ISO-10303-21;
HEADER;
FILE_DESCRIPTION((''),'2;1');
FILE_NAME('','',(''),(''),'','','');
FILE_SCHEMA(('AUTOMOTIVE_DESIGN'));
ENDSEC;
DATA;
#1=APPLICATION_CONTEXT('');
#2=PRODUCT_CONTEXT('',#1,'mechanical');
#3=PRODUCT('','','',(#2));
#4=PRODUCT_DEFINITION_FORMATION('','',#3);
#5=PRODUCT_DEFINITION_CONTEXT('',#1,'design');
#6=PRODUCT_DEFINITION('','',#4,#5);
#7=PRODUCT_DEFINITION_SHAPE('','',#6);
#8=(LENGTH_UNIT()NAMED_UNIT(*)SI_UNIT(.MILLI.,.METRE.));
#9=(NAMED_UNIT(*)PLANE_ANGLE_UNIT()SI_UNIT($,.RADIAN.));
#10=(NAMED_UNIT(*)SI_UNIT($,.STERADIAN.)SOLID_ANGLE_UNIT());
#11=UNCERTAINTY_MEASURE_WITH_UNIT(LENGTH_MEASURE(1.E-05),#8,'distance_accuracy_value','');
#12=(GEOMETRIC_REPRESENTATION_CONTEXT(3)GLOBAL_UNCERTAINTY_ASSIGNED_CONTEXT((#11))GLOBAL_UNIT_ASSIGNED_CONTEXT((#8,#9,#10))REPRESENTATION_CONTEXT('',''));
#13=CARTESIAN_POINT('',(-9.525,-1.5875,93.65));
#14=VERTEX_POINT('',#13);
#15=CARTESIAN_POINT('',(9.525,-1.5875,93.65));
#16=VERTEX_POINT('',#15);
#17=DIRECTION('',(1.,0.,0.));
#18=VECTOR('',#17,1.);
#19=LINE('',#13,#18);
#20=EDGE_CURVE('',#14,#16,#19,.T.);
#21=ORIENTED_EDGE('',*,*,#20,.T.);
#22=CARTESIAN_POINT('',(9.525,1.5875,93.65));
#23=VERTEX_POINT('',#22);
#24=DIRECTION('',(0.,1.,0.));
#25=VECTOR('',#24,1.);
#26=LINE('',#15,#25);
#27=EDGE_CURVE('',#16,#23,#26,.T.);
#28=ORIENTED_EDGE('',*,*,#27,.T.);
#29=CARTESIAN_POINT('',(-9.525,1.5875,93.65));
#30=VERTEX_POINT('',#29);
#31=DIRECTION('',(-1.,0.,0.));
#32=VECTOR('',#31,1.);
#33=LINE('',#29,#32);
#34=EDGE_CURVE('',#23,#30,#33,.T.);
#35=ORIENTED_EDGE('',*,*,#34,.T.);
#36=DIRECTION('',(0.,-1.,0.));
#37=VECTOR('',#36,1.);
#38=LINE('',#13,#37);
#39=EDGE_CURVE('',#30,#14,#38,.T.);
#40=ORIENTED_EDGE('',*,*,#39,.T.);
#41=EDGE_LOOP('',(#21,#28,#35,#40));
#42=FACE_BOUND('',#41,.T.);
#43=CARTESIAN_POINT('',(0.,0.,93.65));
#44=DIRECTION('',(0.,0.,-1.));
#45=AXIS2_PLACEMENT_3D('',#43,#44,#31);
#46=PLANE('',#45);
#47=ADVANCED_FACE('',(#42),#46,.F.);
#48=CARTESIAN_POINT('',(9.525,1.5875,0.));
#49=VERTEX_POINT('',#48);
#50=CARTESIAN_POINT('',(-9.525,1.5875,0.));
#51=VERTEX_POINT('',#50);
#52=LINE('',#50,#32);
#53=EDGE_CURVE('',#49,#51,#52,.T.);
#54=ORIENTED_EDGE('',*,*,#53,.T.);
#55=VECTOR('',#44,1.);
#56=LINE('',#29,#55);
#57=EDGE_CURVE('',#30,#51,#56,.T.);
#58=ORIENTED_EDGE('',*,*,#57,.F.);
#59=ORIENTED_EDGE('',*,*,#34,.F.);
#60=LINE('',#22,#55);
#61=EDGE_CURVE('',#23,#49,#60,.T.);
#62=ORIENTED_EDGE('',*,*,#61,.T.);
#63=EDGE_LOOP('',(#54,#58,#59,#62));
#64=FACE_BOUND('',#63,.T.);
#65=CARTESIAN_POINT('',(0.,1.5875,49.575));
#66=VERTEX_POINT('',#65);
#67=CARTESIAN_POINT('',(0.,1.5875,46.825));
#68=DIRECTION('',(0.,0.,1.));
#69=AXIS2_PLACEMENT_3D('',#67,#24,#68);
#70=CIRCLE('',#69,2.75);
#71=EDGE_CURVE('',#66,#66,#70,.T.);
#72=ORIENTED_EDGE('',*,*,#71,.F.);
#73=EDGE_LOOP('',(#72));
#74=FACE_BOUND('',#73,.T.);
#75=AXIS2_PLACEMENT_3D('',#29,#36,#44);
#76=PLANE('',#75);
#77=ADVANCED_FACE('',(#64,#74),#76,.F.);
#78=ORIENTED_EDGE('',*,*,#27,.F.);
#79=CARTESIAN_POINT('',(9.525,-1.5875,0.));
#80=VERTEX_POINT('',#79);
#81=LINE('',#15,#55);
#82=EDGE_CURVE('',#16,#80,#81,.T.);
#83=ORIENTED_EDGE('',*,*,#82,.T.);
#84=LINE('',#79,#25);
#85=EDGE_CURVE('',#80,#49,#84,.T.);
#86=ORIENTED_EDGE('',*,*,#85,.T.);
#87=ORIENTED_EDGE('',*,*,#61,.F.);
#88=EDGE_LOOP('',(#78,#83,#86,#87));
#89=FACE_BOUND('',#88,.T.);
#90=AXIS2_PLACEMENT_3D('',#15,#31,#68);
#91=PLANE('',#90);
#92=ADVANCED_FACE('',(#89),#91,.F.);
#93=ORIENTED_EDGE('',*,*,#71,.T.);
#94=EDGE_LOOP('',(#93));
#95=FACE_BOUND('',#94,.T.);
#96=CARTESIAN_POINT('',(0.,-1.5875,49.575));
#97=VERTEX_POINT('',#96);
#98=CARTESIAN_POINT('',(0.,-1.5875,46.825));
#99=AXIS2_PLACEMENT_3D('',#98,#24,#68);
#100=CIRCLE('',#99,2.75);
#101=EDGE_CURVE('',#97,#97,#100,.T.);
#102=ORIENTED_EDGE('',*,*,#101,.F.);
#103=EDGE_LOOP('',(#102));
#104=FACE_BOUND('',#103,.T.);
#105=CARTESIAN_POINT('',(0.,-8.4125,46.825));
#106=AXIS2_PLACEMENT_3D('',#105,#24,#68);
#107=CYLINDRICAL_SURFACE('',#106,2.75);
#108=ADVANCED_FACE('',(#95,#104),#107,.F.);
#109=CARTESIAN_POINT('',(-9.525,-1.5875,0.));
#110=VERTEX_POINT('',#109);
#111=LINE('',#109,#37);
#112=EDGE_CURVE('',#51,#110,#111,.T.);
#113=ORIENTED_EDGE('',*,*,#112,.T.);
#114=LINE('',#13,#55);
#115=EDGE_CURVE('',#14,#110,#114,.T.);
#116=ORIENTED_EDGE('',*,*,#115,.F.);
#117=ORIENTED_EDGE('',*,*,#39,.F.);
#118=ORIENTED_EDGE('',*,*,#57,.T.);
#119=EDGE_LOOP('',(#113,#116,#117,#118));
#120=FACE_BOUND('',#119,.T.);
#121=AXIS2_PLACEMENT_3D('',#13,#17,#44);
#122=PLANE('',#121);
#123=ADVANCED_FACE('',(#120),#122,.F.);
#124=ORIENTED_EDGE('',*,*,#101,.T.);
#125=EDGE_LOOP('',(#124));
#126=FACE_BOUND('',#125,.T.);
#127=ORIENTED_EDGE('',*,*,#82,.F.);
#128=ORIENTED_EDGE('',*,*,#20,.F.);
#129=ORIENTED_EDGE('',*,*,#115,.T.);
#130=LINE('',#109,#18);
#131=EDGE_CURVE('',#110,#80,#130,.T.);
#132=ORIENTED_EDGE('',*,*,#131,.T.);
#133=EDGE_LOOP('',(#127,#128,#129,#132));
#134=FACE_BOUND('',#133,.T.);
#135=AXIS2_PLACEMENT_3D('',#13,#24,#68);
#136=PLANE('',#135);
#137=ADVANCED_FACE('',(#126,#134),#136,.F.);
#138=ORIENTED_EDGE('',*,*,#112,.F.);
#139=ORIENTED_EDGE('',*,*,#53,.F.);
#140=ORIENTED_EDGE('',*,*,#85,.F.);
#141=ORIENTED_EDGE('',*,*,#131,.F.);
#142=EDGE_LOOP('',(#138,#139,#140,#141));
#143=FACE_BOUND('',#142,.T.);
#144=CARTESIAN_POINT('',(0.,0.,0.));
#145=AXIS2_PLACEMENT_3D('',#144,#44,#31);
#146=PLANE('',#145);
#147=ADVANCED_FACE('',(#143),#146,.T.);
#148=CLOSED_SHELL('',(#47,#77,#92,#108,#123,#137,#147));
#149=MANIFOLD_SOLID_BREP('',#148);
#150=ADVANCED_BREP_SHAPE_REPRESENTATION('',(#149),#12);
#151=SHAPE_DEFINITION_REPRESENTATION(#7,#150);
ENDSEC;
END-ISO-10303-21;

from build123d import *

# Parameters (mm, degrees)
SKETCH1_W           = 19.05
SKETCH1_H           = 3.175
BOSS_EXTRUDE1_DEPTH = 93.65
SKETCH2_R           = 2.75
CUT_EXTRUDE1_DEPTH  = 10


with BuildPart() as part:
    # Sketch1 → Boss-Extrude1 (new body)
    with BuildSketch(Plane.XY):
        Rectangle(SKETCH1_W, SKETCH1_H)
    extrude(amount=BOSS_EXTRUDE1_DEPTH)

    # Sketch2 → Cut-Extrude1 (cut)
    with BuildSketch(Plane(origin=(0, 1.5875, 0), x_dir=(1, 0, 0), z_dir=(0, 1, 0))):
        with Locations(Location((0, -46.825, 0), (0, 0, 270))):
            Circle(SKETCH2_R)
    extrude(amount=-CUT_EXTRUDE1_DEPTH, mode=Mode.SUBTRACT)


solid = part.part
